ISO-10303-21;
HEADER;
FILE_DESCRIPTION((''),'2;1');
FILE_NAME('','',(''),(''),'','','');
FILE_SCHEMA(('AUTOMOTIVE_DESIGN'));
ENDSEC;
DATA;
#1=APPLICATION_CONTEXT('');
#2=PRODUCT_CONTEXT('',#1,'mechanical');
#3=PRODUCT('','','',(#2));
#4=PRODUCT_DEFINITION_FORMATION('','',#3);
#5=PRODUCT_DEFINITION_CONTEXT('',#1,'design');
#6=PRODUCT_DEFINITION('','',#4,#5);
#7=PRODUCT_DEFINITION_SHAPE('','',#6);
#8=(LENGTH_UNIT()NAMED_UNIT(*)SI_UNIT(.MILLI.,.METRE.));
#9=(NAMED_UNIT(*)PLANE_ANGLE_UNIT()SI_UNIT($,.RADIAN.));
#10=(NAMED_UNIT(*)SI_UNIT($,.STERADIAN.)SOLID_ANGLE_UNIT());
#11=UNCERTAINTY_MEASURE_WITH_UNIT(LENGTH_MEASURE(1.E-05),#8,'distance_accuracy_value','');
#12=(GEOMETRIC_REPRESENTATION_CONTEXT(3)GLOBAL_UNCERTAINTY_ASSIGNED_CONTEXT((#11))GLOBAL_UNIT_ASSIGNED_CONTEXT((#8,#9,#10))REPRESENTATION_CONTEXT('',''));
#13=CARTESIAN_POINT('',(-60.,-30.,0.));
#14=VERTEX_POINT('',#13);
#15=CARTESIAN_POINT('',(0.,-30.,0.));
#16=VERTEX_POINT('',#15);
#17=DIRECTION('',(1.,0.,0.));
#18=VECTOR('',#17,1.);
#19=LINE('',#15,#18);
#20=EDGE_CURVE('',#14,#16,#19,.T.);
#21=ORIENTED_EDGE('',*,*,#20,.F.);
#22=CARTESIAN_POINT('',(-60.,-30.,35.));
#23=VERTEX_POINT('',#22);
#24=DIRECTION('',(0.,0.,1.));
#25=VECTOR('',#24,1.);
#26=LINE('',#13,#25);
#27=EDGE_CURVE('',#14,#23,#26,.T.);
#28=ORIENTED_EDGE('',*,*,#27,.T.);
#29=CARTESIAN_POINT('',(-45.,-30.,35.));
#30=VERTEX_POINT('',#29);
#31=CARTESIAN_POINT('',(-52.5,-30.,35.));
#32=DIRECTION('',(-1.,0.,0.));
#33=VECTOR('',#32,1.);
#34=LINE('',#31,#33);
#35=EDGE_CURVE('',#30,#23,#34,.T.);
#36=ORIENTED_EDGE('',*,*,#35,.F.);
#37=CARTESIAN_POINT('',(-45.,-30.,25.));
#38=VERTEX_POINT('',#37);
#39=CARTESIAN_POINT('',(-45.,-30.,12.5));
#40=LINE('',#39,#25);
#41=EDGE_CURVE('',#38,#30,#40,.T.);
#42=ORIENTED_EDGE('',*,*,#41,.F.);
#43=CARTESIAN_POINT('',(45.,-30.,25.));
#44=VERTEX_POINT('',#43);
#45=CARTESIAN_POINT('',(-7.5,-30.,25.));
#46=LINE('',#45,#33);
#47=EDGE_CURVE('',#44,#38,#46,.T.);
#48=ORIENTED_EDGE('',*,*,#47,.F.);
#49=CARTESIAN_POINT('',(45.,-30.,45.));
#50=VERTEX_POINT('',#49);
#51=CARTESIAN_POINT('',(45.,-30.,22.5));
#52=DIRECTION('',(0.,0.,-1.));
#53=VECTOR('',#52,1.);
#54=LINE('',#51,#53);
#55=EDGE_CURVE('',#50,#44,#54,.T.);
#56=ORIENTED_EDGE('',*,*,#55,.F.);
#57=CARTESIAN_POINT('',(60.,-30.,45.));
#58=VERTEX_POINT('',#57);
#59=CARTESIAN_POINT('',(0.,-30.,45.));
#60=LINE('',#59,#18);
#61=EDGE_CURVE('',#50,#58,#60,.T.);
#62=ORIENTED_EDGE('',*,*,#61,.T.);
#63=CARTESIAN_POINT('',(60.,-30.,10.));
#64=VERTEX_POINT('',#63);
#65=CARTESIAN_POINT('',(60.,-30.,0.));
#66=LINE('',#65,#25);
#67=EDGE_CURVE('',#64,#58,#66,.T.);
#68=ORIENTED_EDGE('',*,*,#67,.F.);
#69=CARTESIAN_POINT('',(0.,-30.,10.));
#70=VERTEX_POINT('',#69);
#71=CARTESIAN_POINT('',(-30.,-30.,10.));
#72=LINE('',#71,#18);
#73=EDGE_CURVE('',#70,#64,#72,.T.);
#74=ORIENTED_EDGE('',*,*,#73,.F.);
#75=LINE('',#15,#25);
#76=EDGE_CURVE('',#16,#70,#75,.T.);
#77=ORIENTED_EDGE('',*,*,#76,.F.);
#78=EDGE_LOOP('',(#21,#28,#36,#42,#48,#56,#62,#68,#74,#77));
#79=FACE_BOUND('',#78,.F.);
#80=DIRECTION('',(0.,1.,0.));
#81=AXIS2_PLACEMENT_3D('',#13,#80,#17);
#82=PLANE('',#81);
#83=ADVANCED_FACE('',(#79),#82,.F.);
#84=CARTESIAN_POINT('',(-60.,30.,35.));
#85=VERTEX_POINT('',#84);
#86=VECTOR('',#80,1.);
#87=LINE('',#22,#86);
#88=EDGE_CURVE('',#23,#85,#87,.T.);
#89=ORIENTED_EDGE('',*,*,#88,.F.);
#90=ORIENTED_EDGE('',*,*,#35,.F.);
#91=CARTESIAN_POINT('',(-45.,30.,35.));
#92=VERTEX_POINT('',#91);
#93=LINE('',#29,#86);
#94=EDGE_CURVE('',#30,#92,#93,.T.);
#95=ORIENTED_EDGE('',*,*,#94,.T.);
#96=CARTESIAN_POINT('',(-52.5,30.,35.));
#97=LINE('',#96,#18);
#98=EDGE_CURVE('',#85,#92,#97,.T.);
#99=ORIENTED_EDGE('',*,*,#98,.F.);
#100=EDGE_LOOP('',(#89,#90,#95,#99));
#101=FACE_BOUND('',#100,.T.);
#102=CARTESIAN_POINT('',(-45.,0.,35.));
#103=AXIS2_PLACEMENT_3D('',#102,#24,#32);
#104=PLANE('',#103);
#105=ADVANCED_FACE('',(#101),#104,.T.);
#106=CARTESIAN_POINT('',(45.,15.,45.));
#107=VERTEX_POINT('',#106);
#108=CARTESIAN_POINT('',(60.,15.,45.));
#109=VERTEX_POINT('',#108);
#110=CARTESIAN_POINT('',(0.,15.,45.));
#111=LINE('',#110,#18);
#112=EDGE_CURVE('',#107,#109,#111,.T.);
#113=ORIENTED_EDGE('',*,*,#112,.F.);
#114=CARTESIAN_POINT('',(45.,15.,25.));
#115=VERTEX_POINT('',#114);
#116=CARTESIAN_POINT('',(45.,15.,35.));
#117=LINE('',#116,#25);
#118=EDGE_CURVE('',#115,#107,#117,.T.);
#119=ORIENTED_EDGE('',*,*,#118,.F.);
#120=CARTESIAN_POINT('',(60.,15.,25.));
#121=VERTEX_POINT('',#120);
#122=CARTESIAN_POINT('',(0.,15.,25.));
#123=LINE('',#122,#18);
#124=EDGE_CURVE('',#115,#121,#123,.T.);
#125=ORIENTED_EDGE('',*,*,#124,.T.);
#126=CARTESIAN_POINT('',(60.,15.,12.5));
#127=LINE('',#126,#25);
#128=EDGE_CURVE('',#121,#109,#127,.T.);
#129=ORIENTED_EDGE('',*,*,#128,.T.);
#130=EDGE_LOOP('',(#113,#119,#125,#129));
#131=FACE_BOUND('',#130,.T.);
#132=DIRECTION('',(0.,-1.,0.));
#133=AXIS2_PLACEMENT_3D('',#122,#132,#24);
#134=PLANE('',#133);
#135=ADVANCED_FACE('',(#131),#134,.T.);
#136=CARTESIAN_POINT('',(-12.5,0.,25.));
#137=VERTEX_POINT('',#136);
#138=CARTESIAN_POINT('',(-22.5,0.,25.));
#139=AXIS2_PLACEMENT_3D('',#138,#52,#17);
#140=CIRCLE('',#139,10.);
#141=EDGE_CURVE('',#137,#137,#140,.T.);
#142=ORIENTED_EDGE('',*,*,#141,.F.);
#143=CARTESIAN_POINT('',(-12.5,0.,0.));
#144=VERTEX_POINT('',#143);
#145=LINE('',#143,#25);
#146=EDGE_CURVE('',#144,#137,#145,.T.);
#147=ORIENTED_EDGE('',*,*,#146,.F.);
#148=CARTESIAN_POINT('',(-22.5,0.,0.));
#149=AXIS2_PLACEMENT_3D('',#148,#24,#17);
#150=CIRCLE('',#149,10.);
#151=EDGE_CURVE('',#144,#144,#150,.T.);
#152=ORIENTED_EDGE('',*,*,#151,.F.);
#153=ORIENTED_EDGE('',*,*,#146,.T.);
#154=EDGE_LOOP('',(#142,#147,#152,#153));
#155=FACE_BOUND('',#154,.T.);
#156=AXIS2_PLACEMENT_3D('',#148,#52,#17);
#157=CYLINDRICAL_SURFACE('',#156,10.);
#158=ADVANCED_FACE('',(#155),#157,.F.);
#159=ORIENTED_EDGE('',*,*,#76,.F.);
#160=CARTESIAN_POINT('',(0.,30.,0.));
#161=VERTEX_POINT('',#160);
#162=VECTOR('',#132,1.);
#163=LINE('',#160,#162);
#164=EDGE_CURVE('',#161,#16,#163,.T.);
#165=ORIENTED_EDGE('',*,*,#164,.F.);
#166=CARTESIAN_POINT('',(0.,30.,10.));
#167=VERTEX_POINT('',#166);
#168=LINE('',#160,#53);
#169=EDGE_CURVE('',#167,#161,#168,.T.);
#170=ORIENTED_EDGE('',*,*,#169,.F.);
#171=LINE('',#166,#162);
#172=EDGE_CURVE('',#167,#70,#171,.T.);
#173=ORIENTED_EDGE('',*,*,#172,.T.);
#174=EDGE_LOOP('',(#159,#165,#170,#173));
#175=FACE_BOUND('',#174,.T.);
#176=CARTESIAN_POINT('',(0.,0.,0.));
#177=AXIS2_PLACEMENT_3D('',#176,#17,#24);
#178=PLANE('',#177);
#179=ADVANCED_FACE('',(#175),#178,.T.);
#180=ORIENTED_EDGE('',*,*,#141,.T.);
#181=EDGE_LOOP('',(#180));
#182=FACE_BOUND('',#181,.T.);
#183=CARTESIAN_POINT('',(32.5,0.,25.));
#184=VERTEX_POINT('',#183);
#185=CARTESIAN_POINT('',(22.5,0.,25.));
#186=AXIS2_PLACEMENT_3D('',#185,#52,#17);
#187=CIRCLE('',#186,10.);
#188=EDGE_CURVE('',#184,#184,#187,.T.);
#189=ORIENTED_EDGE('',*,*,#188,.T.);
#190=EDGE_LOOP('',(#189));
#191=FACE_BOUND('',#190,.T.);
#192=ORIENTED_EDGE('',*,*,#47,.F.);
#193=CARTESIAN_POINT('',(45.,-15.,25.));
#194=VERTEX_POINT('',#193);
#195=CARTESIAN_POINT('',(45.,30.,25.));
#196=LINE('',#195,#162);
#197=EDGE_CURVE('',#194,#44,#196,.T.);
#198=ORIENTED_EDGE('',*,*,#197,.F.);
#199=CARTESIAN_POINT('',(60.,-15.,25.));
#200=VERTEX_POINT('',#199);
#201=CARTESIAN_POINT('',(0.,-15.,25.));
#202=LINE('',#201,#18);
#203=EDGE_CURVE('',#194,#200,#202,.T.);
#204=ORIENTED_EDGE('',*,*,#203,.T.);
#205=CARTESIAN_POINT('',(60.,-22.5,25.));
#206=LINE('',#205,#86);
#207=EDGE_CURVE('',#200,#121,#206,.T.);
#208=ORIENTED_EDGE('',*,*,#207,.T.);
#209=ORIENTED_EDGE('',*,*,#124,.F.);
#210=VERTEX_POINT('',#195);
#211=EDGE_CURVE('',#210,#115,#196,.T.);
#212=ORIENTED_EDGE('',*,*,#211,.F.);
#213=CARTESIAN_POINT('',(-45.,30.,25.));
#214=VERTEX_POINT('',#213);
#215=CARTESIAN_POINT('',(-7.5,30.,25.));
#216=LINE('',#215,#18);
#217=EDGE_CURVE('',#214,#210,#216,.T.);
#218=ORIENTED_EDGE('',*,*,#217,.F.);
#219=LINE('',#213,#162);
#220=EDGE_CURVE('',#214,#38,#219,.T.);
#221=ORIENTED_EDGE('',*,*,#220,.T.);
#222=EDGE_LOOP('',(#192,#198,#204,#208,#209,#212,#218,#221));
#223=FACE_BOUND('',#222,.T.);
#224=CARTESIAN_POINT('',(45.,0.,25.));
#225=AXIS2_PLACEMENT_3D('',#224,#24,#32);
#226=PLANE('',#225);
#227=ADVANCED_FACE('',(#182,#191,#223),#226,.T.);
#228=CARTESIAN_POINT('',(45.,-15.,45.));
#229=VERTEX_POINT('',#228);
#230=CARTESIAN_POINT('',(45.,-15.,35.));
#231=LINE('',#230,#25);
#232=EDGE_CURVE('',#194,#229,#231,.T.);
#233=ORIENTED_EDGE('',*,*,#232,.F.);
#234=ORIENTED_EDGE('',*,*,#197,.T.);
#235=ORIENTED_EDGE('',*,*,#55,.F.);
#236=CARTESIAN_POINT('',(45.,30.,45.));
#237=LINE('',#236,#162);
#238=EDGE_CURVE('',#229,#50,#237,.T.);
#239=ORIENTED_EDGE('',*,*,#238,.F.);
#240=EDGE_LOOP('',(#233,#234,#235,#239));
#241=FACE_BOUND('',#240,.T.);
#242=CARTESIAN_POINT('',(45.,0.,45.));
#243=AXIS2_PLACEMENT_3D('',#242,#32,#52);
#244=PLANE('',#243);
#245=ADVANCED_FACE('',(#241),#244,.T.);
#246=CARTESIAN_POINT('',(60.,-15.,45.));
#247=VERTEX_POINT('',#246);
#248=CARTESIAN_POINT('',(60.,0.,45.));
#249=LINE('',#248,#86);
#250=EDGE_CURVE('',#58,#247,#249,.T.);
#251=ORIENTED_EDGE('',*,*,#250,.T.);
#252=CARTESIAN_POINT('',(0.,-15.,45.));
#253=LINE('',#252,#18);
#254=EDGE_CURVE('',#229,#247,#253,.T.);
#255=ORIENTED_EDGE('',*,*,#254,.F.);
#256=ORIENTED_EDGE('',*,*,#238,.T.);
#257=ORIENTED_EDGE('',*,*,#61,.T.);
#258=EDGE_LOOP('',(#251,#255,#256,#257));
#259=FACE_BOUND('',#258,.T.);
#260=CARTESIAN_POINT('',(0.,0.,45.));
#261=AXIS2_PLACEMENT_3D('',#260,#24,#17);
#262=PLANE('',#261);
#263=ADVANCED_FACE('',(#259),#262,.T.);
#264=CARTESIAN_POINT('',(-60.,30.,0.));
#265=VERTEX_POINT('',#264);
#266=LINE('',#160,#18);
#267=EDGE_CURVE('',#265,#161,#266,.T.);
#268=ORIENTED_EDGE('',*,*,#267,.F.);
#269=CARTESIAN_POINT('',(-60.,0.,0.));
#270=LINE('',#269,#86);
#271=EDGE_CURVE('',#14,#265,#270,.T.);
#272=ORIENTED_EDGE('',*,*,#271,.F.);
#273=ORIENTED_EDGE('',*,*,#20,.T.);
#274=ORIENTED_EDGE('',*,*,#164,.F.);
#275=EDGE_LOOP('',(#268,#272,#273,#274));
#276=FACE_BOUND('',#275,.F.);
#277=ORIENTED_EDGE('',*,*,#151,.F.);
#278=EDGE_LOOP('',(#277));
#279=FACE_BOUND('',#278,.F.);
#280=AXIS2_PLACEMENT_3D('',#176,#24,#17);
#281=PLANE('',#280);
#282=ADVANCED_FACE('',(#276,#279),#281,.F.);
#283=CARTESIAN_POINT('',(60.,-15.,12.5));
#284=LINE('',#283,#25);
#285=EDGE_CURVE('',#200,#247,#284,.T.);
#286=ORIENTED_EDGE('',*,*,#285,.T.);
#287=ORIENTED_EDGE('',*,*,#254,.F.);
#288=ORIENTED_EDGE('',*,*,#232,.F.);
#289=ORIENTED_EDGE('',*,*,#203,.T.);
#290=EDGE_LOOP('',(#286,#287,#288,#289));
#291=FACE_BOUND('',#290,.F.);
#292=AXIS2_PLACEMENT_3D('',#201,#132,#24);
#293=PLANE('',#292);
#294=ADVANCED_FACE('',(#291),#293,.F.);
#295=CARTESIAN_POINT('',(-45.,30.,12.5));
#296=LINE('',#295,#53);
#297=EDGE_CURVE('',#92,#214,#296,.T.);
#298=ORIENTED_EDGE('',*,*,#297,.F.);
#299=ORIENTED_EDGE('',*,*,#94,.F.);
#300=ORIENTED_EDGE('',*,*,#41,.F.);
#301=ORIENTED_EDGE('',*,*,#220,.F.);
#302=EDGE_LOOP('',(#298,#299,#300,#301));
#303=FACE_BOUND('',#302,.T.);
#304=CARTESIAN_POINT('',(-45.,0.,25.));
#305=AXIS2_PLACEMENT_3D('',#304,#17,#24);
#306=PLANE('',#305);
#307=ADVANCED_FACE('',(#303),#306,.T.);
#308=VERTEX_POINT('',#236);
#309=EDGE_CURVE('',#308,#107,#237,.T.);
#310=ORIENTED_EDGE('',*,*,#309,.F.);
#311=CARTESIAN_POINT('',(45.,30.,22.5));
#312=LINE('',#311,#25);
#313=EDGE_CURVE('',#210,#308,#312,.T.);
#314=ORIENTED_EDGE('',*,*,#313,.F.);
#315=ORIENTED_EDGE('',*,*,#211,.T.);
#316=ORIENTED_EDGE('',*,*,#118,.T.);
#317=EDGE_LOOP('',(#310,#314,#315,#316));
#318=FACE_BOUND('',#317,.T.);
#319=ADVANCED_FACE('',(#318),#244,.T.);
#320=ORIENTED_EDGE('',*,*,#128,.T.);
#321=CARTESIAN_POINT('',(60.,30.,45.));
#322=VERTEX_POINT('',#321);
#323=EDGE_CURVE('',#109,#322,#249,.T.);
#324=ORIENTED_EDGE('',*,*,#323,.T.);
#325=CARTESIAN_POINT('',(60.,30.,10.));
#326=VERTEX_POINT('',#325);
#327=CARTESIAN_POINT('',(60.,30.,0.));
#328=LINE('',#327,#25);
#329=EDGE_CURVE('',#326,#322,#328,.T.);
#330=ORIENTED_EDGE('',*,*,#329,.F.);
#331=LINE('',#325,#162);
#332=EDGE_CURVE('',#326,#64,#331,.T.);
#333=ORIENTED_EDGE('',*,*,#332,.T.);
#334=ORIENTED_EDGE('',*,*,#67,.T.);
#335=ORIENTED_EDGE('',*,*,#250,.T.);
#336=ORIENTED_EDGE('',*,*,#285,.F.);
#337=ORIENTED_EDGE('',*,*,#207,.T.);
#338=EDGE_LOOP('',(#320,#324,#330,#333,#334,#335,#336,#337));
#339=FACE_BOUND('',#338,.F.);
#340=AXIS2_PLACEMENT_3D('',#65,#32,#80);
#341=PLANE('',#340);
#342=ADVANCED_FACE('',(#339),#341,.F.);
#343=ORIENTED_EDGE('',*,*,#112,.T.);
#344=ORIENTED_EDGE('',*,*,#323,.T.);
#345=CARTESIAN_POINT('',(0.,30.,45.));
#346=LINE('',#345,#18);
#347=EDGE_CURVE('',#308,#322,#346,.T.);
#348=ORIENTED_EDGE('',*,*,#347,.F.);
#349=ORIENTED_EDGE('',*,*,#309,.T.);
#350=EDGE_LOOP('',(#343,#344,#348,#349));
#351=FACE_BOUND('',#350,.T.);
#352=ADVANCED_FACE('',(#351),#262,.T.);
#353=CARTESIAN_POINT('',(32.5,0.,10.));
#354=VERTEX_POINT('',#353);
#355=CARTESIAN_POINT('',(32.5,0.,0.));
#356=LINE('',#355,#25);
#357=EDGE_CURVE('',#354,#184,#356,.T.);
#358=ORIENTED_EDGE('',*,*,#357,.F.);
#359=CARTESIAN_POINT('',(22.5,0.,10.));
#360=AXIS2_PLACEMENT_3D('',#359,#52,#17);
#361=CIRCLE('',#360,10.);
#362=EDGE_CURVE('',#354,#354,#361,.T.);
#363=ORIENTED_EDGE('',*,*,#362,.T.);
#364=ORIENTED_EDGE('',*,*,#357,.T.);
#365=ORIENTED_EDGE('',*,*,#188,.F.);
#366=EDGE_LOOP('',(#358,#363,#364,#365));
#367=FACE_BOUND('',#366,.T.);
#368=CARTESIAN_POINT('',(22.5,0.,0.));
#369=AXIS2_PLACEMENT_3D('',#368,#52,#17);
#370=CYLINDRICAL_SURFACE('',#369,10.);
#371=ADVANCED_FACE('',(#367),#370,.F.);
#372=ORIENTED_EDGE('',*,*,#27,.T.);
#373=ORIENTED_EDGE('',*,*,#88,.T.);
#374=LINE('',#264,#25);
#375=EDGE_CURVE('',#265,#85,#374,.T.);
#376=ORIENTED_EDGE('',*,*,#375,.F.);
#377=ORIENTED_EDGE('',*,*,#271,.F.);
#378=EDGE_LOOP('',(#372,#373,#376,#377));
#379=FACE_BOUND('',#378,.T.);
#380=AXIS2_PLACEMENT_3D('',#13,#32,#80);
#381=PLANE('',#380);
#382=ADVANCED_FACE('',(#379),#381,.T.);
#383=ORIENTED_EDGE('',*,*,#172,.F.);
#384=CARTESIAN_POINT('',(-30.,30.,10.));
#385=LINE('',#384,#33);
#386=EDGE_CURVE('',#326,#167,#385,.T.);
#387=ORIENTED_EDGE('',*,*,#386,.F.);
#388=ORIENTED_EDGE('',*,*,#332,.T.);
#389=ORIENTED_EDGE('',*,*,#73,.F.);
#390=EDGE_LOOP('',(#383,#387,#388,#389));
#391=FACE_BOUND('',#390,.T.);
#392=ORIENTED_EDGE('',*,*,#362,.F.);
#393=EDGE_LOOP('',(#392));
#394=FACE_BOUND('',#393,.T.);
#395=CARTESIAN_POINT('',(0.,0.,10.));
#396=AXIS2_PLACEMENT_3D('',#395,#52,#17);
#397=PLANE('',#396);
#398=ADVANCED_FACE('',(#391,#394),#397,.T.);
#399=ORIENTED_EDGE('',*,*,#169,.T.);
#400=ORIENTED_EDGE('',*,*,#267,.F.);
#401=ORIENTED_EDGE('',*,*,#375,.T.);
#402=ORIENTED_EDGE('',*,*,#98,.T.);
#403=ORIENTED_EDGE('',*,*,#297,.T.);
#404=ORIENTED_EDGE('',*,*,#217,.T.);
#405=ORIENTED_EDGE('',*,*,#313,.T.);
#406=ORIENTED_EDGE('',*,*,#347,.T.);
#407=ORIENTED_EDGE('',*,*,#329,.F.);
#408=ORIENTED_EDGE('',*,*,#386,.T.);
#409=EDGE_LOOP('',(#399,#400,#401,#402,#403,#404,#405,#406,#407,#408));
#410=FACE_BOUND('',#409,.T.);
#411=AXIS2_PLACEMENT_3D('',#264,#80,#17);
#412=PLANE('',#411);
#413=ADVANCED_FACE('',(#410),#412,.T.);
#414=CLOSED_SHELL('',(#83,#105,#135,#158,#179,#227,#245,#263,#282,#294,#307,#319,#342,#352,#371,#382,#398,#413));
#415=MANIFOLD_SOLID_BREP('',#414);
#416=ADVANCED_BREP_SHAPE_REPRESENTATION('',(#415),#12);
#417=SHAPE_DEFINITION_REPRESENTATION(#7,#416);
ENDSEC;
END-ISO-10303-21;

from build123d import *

# Parameters (mm, degrees)
SKETCH_W          = 120
SKETCH_H          = 60
PAD_DEPTH         = 45
SKETCH001_W       = 60
SKETCH001_H       = 10
POCKET_DEPTH      = 30.001
POCKET_DEPTH_BACK = -30.001
SKETCH002_W       = 30
SKETCH002_H       = 20
POCKET001_DEPTH   = 60.001
SKETCH003_R       = 10
POCKET002_DEPTH   = 45.001


with BuildPart() as part:
    # Sketch → Pad (new body)
    with BuildSketch(Plane.XY):
        Rectangle(SKETCH_W, SKETCH_H)
    extrude(amount=PAD_DEPTH)

    # Sketch001 → Pocket (cut, two sides)
    with BuildSketch(Plane.XZ) as pocket_sk:
        with Locations((30, 5)):
            Rectangle(SKETCH001_W, SKETCH001_H)
        Polygon((-60, 45), (45, 45), (45, 25), (-45, 25), (-45, 35), (-60, 35), align=None)
    extrude(amount=-POCKET_DEPTH, mode=Mode.SUBTRACT)
    extrude(pocket_sk.sketch, amount=-POCKET_DEPTH_BACK, mode=Mode.SUBTRACT)

    # Sketch002 → Pocket001 (cut, through all)
    with BuildSketch(Plane.YZ):
        with Locations((0, 35)):
            Rectangle(SKETCH002_W, SKETCH002_H)
    extrude(amount=POCKET001_DEPTH, mode=Mode.SUBTRACT)

    # Sketch003 → Pocket002 (cut, through all)
    with BuildSketch(Plane.XY):
        with Locations((-22.5, 0)):
            Circle(SKETCH003_R)
        with Locations((22.5, 0)):
            Circle(SKETCH003_R)
    extrude(amount=POCKET002_DEPTH, mode=Mode.SUBTRACT)


solid = part.part
